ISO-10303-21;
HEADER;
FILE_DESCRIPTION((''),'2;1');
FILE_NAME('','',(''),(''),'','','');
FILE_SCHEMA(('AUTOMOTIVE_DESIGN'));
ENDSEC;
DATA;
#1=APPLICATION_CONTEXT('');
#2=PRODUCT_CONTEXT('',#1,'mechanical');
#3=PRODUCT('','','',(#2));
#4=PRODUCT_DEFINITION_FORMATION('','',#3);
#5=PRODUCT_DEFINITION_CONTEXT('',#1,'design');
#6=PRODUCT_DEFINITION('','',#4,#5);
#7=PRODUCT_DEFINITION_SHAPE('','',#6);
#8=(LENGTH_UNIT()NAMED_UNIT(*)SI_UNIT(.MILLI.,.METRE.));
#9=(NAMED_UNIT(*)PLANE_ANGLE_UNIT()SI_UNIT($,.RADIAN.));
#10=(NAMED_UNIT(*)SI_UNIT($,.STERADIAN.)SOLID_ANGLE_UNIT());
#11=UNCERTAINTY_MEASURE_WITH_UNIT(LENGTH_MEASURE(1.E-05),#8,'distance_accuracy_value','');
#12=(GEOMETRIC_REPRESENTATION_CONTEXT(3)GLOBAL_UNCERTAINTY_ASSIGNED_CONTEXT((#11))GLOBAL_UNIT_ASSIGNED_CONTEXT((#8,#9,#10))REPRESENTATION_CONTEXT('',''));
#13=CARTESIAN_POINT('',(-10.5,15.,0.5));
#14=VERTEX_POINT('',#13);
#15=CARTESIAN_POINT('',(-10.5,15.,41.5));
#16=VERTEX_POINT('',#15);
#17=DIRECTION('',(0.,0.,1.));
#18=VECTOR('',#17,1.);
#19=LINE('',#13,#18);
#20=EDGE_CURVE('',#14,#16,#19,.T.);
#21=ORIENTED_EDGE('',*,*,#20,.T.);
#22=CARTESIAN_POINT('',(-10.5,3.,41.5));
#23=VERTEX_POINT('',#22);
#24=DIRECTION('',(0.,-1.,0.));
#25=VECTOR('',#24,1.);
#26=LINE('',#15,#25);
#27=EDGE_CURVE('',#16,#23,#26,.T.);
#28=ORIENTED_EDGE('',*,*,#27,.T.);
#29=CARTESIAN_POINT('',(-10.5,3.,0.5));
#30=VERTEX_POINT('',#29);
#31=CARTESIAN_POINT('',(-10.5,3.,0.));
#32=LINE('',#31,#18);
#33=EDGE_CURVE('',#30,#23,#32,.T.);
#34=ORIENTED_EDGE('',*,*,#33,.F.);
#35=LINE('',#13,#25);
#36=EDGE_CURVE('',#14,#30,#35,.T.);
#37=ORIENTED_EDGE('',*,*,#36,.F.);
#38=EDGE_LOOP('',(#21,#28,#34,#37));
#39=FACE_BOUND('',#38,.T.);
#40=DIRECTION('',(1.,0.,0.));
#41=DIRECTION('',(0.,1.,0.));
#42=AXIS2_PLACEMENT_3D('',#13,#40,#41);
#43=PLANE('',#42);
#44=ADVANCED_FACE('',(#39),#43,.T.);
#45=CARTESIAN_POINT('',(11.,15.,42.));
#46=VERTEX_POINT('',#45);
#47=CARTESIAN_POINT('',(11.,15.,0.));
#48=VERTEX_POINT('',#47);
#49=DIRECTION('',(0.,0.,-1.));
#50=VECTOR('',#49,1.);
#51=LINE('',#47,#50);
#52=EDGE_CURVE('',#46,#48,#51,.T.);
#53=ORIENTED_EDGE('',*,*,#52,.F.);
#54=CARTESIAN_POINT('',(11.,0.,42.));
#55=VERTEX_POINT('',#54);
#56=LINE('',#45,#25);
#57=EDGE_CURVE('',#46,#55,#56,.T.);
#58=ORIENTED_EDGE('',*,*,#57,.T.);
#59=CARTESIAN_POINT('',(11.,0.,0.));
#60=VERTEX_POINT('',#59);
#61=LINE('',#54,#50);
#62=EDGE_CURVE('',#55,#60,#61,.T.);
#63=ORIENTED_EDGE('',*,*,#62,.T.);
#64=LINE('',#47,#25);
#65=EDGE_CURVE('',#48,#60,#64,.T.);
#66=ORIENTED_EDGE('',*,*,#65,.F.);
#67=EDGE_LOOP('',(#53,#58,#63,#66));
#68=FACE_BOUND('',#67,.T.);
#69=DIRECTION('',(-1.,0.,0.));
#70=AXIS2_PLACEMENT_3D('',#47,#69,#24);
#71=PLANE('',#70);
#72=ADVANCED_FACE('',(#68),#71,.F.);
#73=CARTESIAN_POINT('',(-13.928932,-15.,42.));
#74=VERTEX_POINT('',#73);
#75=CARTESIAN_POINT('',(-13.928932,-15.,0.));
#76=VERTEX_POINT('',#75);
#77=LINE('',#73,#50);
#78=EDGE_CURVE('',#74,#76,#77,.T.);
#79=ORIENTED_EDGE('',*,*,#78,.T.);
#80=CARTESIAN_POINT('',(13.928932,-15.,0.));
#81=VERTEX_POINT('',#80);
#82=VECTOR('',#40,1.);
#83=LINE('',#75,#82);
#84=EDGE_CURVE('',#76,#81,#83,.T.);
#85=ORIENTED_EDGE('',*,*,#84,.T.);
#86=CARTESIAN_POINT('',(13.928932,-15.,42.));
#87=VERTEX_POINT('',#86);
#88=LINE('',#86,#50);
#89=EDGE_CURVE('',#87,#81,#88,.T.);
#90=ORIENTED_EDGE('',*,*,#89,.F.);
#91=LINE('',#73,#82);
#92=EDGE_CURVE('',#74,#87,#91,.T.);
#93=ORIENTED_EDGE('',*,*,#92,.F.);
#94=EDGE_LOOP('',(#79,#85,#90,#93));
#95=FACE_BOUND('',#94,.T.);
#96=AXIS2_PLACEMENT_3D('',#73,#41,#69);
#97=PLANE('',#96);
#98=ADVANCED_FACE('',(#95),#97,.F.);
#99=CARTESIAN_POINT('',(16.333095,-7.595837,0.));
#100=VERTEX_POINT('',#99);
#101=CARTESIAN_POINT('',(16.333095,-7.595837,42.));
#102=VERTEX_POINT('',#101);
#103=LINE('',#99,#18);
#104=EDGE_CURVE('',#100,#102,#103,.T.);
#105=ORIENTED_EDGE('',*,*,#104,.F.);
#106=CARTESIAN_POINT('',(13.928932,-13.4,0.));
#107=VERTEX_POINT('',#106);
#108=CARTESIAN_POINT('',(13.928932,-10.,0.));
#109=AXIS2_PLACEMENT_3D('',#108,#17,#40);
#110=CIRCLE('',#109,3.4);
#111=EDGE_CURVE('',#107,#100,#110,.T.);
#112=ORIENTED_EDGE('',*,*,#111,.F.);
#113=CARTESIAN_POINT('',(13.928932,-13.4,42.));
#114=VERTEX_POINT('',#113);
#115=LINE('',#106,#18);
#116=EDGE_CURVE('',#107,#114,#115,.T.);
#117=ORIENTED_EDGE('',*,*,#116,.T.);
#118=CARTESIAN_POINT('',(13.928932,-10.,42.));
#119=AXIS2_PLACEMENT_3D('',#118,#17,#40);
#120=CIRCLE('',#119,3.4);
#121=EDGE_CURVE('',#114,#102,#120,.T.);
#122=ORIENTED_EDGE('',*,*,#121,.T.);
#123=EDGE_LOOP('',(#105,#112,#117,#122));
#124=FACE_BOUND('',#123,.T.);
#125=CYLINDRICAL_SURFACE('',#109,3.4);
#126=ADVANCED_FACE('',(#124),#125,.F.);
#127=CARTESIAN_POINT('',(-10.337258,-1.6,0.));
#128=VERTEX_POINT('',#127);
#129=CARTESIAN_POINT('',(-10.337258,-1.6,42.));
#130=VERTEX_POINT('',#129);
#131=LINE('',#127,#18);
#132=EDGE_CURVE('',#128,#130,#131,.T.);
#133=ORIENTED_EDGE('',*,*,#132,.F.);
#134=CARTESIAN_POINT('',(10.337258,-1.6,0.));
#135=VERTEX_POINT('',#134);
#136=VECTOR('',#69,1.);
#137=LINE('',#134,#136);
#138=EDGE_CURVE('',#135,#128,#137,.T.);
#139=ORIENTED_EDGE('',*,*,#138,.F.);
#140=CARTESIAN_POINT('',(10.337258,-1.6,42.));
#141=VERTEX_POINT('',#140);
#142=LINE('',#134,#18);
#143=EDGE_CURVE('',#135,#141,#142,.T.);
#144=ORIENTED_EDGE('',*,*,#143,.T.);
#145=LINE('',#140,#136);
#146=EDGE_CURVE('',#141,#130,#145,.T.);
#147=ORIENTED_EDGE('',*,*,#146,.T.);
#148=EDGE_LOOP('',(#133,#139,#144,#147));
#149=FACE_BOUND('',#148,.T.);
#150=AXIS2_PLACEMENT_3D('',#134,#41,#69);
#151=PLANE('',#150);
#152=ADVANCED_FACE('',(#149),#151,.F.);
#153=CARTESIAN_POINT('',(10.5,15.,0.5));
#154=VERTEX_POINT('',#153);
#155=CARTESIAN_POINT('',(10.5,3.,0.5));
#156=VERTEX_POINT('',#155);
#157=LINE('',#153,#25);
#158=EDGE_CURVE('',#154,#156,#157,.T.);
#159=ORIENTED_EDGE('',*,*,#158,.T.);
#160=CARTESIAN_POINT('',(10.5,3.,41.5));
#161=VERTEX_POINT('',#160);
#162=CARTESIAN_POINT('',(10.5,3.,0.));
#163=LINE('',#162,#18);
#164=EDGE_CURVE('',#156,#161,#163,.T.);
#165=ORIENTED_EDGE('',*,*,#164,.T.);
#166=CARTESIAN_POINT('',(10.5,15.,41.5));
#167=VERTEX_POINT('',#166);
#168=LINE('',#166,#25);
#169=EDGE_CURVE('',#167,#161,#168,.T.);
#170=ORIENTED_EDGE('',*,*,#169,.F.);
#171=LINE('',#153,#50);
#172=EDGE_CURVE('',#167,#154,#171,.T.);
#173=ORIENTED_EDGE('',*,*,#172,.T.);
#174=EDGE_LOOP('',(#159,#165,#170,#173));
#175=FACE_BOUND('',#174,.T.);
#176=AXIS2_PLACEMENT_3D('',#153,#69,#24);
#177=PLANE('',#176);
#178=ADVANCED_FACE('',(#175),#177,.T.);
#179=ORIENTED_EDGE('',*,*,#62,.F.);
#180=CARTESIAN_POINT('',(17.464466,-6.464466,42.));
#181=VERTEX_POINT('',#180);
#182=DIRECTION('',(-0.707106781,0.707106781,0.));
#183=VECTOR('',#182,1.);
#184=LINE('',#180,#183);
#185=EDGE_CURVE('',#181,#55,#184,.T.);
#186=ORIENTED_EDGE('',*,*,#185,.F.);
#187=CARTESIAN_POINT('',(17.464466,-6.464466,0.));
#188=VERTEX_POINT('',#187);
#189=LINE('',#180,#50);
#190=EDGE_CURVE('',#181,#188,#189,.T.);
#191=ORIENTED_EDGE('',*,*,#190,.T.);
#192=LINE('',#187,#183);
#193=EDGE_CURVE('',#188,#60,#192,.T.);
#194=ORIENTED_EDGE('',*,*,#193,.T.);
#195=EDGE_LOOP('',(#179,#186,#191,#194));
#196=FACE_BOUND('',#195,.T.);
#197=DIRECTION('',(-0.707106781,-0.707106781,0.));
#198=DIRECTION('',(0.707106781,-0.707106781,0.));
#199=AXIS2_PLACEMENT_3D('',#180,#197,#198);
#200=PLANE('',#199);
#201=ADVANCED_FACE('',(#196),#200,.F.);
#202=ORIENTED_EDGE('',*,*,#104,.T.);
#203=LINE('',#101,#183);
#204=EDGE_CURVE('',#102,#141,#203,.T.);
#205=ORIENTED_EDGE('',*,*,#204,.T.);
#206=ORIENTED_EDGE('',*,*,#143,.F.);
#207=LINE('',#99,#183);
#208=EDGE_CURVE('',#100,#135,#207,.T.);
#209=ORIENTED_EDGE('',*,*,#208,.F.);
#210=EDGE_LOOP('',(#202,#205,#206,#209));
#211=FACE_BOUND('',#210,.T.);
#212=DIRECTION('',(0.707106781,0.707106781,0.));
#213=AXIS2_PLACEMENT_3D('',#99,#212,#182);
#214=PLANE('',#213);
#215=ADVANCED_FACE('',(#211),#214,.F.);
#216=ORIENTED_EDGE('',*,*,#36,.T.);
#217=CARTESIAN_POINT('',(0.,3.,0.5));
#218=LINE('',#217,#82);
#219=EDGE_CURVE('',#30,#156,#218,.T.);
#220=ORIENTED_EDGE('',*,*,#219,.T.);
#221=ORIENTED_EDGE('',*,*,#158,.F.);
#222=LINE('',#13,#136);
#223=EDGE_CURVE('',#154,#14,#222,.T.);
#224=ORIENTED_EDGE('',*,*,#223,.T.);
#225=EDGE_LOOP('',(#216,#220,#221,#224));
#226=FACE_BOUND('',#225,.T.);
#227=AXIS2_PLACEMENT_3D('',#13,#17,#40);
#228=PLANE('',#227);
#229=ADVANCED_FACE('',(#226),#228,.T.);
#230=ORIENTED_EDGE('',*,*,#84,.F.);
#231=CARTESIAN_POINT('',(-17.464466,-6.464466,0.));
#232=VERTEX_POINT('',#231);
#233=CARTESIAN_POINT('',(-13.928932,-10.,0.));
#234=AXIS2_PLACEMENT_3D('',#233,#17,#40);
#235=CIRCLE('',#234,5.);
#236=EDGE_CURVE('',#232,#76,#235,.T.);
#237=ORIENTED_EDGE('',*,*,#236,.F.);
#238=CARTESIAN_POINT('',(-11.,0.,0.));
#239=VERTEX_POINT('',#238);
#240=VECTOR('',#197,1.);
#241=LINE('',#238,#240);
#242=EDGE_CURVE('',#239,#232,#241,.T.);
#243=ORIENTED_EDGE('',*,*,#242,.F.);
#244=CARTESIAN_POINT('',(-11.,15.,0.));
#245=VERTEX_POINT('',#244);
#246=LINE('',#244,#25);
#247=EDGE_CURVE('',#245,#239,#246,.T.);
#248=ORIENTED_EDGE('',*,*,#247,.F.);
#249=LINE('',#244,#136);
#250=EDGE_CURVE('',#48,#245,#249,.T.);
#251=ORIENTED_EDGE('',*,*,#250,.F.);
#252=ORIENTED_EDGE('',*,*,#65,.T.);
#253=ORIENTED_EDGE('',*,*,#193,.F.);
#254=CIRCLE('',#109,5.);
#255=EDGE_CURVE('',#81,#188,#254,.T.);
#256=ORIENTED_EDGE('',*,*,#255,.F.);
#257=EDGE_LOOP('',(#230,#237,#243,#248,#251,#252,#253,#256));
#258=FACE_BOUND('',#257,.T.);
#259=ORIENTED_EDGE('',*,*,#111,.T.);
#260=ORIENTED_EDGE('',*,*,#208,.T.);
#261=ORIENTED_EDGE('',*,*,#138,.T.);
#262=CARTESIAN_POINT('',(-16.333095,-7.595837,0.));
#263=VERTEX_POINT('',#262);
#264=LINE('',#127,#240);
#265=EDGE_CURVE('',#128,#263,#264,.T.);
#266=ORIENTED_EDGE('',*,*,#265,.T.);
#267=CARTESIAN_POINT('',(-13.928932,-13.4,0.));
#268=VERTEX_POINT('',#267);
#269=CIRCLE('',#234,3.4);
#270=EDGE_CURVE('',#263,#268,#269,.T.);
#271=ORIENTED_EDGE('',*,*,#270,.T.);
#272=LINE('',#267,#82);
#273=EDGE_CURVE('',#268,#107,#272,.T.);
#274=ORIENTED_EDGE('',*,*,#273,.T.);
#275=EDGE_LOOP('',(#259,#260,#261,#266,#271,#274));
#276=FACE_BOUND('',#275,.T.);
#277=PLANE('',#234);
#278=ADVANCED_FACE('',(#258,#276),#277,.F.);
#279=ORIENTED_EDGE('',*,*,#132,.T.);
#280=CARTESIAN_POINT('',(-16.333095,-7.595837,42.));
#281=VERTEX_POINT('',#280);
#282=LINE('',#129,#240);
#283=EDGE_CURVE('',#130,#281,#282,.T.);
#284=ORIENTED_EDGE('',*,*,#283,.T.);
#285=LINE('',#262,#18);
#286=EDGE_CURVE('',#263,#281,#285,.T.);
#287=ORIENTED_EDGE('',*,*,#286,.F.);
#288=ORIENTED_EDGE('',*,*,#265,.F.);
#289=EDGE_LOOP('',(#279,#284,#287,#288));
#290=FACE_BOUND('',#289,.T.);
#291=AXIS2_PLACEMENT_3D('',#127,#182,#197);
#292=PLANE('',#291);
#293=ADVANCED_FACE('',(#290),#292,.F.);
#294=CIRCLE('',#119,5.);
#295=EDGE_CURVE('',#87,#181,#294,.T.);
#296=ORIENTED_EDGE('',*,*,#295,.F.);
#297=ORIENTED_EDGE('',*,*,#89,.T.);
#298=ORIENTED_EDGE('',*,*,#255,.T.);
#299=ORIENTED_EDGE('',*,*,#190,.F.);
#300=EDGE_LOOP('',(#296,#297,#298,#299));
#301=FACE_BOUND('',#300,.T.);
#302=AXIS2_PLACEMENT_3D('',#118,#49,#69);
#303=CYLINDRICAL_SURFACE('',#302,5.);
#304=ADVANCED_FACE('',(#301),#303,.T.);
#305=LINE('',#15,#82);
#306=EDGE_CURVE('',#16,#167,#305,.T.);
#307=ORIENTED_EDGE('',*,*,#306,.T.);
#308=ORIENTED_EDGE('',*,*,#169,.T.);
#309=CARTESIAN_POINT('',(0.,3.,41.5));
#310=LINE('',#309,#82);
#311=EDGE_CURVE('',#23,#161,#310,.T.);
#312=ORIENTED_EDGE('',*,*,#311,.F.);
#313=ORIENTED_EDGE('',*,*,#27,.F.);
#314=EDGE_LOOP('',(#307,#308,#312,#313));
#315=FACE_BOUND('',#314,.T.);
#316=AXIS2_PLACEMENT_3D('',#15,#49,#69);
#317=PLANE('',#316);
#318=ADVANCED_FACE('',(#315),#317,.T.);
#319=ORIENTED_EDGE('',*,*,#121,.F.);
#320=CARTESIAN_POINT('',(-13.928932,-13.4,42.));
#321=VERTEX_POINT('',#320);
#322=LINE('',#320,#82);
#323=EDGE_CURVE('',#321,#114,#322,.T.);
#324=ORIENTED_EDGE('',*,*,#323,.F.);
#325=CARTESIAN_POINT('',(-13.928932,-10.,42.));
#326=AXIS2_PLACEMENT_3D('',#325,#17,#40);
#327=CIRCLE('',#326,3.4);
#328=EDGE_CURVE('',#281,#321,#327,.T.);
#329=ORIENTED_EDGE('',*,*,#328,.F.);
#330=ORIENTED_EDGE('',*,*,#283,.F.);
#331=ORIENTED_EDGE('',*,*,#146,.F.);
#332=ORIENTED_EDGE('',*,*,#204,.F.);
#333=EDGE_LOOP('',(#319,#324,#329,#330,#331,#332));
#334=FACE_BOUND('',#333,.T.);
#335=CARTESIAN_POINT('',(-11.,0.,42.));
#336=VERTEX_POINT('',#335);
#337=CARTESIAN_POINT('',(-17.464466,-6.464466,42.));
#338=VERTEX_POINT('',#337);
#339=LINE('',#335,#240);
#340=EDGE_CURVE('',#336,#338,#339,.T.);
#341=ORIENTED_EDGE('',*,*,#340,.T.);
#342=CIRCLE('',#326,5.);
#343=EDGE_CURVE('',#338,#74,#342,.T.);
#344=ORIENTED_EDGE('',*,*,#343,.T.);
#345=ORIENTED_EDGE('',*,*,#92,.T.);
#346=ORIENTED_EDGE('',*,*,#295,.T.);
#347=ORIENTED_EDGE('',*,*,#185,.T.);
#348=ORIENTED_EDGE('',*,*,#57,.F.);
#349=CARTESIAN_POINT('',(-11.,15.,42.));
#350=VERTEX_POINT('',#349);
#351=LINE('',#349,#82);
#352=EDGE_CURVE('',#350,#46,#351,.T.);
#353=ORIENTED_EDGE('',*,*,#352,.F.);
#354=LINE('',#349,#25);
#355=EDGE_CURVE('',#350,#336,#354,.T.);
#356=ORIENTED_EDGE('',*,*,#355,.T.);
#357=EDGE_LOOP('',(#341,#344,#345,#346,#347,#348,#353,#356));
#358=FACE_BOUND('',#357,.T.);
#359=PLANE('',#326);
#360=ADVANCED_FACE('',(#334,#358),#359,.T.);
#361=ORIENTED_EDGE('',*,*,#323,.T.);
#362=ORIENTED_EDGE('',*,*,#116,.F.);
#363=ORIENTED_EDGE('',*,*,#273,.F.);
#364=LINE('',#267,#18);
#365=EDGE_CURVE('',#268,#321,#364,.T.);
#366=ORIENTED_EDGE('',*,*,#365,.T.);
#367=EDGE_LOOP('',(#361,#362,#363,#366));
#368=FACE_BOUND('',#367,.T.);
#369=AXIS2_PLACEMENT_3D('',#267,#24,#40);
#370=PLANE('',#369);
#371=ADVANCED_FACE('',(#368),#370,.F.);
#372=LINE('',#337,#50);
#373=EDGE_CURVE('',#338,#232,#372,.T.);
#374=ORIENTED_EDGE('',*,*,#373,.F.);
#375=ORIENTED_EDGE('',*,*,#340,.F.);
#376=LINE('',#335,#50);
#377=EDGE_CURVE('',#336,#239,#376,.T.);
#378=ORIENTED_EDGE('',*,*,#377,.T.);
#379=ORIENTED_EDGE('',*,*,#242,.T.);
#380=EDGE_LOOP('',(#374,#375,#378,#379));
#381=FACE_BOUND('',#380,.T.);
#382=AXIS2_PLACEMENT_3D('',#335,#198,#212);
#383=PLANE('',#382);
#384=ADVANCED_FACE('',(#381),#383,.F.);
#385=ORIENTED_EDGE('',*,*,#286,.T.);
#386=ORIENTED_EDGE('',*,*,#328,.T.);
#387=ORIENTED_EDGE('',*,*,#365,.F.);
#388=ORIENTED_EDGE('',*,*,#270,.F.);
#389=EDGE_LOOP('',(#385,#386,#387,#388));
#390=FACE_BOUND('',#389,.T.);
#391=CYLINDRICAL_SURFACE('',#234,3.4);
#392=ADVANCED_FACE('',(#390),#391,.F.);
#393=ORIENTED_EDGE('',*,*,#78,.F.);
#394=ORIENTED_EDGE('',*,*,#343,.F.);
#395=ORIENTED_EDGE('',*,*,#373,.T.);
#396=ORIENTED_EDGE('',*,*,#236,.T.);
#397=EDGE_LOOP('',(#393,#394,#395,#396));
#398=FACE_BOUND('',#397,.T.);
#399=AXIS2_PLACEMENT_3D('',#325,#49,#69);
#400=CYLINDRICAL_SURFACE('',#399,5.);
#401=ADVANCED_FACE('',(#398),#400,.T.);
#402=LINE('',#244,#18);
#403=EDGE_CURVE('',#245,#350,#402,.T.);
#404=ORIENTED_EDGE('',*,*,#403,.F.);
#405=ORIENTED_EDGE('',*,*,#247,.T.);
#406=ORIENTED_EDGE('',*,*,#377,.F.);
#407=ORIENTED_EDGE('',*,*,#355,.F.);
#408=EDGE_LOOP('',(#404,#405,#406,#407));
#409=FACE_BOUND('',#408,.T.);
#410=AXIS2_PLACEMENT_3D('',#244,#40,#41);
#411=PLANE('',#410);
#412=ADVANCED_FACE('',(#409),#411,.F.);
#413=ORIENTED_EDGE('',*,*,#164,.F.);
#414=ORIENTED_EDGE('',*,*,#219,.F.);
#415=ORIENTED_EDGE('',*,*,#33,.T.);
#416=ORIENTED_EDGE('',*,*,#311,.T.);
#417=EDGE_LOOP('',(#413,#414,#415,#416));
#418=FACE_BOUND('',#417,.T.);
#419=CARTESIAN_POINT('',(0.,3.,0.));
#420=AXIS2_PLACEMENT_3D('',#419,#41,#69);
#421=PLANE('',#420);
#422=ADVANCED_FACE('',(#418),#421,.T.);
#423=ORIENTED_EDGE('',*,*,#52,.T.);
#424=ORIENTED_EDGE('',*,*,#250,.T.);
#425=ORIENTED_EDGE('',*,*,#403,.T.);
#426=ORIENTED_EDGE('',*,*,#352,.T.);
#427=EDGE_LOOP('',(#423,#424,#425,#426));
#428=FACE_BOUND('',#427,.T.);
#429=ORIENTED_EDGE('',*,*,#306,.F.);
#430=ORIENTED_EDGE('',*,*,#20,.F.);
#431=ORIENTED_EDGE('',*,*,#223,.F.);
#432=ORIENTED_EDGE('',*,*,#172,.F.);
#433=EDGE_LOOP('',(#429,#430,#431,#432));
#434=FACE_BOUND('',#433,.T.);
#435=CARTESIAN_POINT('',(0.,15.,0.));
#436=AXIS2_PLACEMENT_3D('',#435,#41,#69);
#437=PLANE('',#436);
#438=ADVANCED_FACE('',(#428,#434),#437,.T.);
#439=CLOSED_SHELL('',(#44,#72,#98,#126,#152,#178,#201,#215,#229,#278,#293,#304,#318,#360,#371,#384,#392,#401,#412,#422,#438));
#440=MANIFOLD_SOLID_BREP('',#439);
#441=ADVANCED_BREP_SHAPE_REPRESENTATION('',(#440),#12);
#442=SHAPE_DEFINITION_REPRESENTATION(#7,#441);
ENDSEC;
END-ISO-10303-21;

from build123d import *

# Parameters (mm, degrees)
BOSS_EXTRUDE1_DEPTH = 42
CUT_EXTRUDE1_DEPTH  = 43
SKETCH2_W           = 22
SKETCH2_H           = 42
SKETCH2_W_2         = 21
SKETCH2_H_2         = 41
BOSS_EXTRUDE2_DEPTH = 15
SKETCH2_2_W         = 21
SKETCH2_2_H         = 41
BOSS_EXTRUDE3_DEPTH = 3


with BuildPart() as part:
    # Sketch1 → Boss-Extrude1 (new body)
    with BuildSketch(Plane.XY):
        with BuildLine():
            Line((-11, 0), (11, 0))
            Line((11, 0), (17.464466094, -6.464466094))
            ThreePointArc((17.464466094, -6.464466094), (18.548329851, -11.913417162), (13.928932188, -15))
            Line((13.928932188, -15), (-13.928932188, -15))
            ThreePointArc((-13.928932188, -15), (-18.548329851, -11.913417162), (-17.464466094, -6.464466094))
            Line((-17.464466094, -6.464466094), (-11, 0))
        make_face()
    extrude(amount=BOSS_EXTRUDE1_DEPTH)

    # Sketch3 → Cut-Extrude1 (cut, through all)
    with BuildSketch(Plane.XY.offset(42)):
        with BuildLine():
            Line((-13.928932188, -13.4), (13.928932188, -13.4))
            ThreePointArc((13.928932188, -13.4), (17.070122599, -11.30112367), (16.333095244, -7.595836944))
            Line((16.333095244, -7.595836944), (10.3372583, -1.6))
            Line((10.3372583, -1.6), (-10.3372583, -1.6))
            Line((-10.3372583, -1.6), (-16.333095244, -7.595836944))
            ThreePointArc((-16.333095244, -7.595836944), (-17.070122599, -11.30112367), (-13.928932188, -13.4))
        make_face()
    extrude(amount=-CUT_EXTRUDE1_DEPTH, mode=Mode.SUBTRACT)

    # Sketch2 → Boss-Extrude2 (add)
    with BuildSketch(Plane(origin=(0, 0, 0), x_dir=(1, 0, 0), z_dir=(0, 1, 0))):
        with Locations((0, -21)):
            Rectangle(SKETCH2_W, SKETCH2_H)
        with Locations((0, -21)):
            Rectangle(SKETCH2_W_2, SKETCH2_H_2, mode=Mode.SUBTRACT)
    extrude(amount=BOSS_EXTRUDE2_DEPTH)

    # Sketch2<2> → Boss-Extrude3 (add)
    with BuildSketch(Plane(origin=(0, 0, 0), x_dir=(1, 0, 0), z_dir=(0, 1, 0))):
        with Locations((0, -21)):
            Rectangle(SKETCH2_2_W, SKETCH2_2_H)
    extrude(amount=BOSS_EXTRUDE3_DEPTH)


solid = part.part
